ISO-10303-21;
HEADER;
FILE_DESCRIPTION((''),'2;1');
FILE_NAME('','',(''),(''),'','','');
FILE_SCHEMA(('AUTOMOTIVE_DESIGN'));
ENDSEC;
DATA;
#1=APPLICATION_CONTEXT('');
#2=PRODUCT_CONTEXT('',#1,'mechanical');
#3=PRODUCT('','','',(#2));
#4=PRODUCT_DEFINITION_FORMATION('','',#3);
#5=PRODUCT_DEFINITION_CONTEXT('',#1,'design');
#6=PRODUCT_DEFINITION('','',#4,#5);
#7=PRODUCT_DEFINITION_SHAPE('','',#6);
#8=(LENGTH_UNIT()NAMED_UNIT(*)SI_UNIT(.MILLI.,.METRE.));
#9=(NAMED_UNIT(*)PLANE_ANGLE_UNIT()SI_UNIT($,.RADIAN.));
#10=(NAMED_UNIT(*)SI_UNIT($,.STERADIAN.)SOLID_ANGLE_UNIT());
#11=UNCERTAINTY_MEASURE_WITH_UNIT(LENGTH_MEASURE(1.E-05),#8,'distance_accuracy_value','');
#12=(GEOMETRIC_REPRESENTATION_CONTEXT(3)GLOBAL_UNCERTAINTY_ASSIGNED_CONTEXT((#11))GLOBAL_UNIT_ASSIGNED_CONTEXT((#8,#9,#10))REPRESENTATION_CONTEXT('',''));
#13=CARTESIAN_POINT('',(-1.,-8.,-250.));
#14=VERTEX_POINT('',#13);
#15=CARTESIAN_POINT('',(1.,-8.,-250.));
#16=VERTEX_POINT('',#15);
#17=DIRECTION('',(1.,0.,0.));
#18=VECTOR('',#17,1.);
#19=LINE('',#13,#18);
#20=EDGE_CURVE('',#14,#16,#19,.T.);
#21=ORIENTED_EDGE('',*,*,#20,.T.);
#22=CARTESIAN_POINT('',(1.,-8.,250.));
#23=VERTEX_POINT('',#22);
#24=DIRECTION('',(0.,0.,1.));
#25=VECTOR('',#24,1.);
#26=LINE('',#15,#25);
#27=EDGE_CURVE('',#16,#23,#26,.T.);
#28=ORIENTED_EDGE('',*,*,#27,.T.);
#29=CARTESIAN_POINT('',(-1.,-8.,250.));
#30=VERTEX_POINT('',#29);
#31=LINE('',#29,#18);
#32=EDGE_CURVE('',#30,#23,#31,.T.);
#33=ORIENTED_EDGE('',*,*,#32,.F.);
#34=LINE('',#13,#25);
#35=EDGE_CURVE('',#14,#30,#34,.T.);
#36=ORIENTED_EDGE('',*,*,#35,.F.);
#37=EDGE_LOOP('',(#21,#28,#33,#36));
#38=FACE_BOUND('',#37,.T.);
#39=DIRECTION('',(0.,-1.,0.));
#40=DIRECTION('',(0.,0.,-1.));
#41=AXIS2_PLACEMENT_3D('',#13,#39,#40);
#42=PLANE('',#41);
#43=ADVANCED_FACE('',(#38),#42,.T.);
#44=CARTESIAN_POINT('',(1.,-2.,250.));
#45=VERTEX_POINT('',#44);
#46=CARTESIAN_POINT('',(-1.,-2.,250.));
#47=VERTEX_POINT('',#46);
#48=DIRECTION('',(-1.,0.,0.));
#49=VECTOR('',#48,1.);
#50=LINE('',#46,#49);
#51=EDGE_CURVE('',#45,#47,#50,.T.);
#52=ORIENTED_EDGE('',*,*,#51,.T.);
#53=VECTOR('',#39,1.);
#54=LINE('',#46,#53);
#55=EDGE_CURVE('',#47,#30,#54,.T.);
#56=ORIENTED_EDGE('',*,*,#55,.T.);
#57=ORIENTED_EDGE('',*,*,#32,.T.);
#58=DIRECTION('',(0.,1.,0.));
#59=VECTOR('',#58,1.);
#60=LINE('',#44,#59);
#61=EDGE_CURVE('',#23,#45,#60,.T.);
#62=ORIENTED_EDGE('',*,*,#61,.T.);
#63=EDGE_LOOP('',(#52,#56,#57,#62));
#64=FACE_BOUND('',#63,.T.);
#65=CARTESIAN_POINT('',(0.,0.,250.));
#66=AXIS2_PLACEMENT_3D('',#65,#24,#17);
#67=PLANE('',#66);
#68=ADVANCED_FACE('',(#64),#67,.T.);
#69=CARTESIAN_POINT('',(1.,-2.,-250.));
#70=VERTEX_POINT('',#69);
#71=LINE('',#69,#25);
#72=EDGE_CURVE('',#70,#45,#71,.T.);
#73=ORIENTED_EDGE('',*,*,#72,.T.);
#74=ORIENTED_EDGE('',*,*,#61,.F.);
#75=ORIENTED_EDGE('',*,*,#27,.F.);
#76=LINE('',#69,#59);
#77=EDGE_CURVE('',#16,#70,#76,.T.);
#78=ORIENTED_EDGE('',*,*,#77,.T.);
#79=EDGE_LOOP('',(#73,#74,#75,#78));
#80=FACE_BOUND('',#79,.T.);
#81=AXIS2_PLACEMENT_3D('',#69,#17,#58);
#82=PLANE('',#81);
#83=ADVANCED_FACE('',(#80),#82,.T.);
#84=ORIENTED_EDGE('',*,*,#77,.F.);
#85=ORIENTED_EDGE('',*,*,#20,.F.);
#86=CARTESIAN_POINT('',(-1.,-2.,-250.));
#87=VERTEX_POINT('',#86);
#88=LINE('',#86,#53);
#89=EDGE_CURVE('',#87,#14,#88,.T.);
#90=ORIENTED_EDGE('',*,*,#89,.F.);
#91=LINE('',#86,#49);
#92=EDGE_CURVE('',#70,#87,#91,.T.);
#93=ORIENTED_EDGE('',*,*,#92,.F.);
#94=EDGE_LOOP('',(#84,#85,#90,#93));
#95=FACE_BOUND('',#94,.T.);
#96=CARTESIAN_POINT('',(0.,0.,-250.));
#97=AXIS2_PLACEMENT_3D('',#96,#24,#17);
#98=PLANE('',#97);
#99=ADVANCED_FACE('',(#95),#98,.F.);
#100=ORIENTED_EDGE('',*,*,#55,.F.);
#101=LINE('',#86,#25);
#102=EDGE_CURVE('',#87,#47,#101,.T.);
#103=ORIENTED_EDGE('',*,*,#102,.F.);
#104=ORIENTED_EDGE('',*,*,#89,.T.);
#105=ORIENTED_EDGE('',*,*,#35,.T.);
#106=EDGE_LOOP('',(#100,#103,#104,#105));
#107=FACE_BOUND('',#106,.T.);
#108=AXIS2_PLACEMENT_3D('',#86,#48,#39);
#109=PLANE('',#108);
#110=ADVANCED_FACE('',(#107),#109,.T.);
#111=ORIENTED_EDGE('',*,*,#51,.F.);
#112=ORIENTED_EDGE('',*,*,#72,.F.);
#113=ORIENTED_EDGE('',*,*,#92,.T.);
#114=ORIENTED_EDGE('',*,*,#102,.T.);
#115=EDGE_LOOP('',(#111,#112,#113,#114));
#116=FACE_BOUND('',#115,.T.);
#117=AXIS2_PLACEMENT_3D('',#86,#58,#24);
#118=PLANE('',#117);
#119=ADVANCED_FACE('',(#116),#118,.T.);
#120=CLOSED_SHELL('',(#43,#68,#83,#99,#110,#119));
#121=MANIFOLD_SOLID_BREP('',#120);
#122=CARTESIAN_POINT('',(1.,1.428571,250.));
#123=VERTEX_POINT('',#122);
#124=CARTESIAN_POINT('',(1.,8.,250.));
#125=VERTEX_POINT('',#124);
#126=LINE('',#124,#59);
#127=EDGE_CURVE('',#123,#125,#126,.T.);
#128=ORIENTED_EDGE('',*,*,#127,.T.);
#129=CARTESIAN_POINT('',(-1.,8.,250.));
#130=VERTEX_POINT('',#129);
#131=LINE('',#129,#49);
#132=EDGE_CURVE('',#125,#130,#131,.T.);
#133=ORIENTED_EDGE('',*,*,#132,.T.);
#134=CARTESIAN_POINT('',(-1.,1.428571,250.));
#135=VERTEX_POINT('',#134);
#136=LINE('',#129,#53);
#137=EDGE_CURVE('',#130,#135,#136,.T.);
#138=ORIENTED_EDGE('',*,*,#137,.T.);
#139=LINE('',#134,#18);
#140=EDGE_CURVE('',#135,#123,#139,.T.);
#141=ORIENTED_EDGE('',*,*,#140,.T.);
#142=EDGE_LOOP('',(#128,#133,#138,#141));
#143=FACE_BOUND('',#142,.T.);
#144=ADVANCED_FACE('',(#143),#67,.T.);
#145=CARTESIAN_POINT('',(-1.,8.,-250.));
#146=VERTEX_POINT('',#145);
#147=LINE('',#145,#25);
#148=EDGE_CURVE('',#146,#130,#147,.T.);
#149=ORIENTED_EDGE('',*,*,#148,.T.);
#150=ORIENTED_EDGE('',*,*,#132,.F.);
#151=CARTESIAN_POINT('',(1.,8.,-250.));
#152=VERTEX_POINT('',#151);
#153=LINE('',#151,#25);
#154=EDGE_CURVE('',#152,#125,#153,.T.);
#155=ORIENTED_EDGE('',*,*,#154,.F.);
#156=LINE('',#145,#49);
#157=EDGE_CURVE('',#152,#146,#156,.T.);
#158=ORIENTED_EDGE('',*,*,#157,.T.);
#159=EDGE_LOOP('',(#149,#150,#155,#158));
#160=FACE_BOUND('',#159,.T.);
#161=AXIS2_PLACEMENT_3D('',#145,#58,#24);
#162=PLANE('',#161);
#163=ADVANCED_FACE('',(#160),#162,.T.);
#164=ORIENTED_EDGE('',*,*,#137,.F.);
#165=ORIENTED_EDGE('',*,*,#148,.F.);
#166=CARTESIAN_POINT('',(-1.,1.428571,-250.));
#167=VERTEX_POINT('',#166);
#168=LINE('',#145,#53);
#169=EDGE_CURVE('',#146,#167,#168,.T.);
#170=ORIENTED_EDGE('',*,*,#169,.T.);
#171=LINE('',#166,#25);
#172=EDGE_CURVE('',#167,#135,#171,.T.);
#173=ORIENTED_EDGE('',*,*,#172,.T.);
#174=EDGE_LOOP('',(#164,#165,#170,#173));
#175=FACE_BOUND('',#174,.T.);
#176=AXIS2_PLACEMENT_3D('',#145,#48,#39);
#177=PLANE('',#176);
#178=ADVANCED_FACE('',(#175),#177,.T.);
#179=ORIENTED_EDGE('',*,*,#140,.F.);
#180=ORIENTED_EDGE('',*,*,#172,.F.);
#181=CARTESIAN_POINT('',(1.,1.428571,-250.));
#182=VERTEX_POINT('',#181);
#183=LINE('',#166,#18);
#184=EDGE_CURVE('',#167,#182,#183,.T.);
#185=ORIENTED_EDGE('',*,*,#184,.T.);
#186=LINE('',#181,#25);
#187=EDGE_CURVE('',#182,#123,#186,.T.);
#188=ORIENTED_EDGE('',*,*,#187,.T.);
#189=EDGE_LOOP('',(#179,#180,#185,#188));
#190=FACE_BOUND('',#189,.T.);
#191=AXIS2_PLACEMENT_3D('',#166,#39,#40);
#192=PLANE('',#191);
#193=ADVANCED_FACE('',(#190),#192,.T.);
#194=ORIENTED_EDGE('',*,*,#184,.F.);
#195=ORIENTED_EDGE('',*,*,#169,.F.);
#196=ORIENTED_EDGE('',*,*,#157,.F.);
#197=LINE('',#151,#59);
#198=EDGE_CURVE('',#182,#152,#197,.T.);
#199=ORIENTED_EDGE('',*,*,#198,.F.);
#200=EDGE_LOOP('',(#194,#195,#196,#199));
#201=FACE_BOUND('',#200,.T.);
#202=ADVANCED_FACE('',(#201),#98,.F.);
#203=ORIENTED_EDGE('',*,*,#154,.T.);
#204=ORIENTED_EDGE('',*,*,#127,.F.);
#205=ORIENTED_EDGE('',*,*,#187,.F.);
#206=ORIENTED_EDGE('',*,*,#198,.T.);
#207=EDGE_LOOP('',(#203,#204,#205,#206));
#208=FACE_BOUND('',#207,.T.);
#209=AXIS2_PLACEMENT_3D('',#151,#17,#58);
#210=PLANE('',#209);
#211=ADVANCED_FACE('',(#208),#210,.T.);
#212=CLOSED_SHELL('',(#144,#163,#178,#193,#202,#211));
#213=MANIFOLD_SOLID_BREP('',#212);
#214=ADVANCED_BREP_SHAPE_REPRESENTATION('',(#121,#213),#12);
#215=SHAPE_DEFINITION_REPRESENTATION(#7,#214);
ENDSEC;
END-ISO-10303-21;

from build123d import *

# Parameters (mm, degrees)
BOSS_EXTRUDE1_DEPTH        = 250
BOSS_EXTRUDE1_DEPTH_BACK   = 250
SKETCH1_W                  = 2
SKETCH1_H                  = 6.571428571
BOSS_EXTRUDE1_2_DEPTH      = 250
BOSS_EXTRUDE1_2_DEPTH_BACK = 250
SKETCH1_H_2                = 6


with BuildPart() as part:
    # Sketch1 → Boss-Extrude1 (new, two sides: drawn at the far end of the back side and taken through both)
    with BuildSketch(Plane.XY.offset(-BOSS_EXTRUDE1_DEPTH_BACK)):
        with Locations((0, 4.714285714)):
            Rectangle(SKETCH1_W, SKETCH1_H)
    extrude(amount=BOSS_EXTRUDE1_DEPTH + BOSS_EXTRUDE1_DEPTH_BACK)


with BuildPart() as body_2:
    # Sketch1 → Boss-Extrude1 2 (new, two sides: drawn at the far end of the back side and taken through both)
    with BuildSketch(Plane.XY.offset(-BOSS_EXTRUDE1_2_DEPTH_BACK)):
        with Locations((0, -5)):
            Rectangle(SKETCH1_W, SKETCH1_H_2)
    extrude(amount=BOSS_EXTRUDE1_2_DEPTH + BOSS_EXTRUDE1_2_DEPTH_BACK)


solid = Compound([part.part, body_2.part])
